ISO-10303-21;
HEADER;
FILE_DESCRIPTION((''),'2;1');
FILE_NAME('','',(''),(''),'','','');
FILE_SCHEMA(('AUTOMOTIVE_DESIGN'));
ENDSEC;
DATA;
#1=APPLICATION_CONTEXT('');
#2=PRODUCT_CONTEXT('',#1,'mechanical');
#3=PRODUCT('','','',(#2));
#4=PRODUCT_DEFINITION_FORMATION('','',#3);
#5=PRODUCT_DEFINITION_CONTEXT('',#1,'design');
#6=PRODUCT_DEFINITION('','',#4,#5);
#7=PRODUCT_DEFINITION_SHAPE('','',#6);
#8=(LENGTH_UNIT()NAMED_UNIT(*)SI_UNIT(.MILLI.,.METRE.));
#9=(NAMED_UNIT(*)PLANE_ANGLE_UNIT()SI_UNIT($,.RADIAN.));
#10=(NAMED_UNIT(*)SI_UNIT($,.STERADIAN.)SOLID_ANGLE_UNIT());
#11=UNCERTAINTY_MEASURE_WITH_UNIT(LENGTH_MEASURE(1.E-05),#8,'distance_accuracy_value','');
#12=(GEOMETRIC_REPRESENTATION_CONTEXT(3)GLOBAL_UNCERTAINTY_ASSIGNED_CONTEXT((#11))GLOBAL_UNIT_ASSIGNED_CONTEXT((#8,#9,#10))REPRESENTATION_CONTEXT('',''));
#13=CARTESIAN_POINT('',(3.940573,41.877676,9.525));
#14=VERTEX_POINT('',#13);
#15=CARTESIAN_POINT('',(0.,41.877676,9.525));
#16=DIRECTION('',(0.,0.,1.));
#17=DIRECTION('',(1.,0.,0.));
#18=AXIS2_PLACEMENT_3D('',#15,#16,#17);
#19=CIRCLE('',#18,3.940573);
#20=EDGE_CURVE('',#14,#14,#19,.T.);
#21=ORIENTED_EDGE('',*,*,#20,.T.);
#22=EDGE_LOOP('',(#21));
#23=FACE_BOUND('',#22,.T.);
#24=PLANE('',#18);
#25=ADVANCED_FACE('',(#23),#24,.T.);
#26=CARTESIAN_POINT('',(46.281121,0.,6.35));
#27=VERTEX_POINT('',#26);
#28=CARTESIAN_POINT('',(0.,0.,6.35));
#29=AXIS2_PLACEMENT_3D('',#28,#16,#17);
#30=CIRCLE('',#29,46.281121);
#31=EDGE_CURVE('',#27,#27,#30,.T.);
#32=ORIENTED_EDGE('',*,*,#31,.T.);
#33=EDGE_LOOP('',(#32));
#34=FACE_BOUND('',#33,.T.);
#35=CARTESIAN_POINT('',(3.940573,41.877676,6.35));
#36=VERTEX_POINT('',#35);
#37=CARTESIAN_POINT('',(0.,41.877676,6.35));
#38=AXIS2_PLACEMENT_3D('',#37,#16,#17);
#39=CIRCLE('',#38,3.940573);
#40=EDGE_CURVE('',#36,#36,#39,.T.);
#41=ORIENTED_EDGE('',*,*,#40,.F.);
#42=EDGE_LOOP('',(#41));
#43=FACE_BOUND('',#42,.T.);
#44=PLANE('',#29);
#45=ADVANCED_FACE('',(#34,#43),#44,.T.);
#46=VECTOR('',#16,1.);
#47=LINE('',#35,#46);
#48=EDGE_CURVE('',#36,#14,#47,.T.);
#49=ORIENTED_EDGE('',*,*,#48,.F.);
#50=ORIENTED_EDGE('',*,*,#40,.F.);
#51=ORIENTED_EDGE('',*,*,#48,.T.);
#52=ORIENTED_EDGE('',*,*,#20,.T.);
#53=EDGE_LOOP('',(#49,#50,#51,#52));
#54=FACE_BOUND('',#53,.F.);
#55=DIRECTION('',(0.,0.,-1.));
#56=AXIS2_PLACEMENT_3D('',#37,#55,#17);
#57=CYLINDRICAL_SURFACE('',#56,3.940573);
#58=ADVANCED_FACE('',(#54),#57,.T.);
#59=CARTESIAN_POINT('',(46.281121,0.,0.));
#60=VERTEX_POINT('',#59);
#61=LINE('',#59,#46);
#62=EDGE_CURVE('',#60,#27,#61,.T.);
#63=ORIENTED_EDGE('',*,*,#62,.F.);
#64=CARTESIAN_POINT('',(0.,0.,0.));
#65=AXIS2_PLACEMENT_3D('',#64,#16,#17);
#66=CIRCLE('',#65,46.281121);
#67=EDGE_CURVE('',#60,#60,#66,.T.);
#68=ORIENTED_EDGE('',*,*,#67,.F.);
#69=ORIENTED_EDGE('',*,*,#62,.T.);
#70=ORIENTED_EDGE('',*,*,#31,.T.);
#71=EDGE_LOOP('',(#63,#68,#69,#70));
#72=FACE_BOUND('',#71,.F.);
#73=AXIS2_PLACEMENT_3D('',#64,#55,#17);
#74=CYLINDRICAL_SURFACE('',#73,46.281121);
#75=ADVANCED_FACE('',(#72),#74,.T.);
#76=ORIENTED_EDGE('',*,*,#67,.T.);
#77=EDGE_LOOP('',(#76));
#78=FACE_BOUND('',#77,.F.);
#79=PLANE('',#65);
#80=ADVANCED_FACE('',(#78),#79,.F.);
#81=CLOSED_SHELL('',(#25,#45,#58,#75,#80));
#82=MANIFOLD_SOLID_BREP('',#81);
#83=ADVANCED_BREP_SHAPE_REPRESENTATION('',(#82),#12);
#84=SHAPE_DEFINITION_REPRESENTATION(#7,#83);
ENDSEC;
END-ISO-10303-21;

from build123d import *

# Parameters (mm, degrees)
F0_R     = 46.281121
F1_DEPTH = 6.35
F2_R     = 3.940573
F3_DEPTH = 3.175


with BuildPart() as f1:
    # F0 (on Top) → F1 (new body)
    with BuildSketch(Plane.XY):
        Circle(F0_R)
    extrude(amount=F1_DEPTH)

    # F2 (on face) → F3 (join)
    with BuildSketch(Plane.XY.offset(6.35)):
        with Locations((0, 41.877676)):
            Circle(F2_R)
    extrude(amount=F3_DEPTH)


solid = f1.part
